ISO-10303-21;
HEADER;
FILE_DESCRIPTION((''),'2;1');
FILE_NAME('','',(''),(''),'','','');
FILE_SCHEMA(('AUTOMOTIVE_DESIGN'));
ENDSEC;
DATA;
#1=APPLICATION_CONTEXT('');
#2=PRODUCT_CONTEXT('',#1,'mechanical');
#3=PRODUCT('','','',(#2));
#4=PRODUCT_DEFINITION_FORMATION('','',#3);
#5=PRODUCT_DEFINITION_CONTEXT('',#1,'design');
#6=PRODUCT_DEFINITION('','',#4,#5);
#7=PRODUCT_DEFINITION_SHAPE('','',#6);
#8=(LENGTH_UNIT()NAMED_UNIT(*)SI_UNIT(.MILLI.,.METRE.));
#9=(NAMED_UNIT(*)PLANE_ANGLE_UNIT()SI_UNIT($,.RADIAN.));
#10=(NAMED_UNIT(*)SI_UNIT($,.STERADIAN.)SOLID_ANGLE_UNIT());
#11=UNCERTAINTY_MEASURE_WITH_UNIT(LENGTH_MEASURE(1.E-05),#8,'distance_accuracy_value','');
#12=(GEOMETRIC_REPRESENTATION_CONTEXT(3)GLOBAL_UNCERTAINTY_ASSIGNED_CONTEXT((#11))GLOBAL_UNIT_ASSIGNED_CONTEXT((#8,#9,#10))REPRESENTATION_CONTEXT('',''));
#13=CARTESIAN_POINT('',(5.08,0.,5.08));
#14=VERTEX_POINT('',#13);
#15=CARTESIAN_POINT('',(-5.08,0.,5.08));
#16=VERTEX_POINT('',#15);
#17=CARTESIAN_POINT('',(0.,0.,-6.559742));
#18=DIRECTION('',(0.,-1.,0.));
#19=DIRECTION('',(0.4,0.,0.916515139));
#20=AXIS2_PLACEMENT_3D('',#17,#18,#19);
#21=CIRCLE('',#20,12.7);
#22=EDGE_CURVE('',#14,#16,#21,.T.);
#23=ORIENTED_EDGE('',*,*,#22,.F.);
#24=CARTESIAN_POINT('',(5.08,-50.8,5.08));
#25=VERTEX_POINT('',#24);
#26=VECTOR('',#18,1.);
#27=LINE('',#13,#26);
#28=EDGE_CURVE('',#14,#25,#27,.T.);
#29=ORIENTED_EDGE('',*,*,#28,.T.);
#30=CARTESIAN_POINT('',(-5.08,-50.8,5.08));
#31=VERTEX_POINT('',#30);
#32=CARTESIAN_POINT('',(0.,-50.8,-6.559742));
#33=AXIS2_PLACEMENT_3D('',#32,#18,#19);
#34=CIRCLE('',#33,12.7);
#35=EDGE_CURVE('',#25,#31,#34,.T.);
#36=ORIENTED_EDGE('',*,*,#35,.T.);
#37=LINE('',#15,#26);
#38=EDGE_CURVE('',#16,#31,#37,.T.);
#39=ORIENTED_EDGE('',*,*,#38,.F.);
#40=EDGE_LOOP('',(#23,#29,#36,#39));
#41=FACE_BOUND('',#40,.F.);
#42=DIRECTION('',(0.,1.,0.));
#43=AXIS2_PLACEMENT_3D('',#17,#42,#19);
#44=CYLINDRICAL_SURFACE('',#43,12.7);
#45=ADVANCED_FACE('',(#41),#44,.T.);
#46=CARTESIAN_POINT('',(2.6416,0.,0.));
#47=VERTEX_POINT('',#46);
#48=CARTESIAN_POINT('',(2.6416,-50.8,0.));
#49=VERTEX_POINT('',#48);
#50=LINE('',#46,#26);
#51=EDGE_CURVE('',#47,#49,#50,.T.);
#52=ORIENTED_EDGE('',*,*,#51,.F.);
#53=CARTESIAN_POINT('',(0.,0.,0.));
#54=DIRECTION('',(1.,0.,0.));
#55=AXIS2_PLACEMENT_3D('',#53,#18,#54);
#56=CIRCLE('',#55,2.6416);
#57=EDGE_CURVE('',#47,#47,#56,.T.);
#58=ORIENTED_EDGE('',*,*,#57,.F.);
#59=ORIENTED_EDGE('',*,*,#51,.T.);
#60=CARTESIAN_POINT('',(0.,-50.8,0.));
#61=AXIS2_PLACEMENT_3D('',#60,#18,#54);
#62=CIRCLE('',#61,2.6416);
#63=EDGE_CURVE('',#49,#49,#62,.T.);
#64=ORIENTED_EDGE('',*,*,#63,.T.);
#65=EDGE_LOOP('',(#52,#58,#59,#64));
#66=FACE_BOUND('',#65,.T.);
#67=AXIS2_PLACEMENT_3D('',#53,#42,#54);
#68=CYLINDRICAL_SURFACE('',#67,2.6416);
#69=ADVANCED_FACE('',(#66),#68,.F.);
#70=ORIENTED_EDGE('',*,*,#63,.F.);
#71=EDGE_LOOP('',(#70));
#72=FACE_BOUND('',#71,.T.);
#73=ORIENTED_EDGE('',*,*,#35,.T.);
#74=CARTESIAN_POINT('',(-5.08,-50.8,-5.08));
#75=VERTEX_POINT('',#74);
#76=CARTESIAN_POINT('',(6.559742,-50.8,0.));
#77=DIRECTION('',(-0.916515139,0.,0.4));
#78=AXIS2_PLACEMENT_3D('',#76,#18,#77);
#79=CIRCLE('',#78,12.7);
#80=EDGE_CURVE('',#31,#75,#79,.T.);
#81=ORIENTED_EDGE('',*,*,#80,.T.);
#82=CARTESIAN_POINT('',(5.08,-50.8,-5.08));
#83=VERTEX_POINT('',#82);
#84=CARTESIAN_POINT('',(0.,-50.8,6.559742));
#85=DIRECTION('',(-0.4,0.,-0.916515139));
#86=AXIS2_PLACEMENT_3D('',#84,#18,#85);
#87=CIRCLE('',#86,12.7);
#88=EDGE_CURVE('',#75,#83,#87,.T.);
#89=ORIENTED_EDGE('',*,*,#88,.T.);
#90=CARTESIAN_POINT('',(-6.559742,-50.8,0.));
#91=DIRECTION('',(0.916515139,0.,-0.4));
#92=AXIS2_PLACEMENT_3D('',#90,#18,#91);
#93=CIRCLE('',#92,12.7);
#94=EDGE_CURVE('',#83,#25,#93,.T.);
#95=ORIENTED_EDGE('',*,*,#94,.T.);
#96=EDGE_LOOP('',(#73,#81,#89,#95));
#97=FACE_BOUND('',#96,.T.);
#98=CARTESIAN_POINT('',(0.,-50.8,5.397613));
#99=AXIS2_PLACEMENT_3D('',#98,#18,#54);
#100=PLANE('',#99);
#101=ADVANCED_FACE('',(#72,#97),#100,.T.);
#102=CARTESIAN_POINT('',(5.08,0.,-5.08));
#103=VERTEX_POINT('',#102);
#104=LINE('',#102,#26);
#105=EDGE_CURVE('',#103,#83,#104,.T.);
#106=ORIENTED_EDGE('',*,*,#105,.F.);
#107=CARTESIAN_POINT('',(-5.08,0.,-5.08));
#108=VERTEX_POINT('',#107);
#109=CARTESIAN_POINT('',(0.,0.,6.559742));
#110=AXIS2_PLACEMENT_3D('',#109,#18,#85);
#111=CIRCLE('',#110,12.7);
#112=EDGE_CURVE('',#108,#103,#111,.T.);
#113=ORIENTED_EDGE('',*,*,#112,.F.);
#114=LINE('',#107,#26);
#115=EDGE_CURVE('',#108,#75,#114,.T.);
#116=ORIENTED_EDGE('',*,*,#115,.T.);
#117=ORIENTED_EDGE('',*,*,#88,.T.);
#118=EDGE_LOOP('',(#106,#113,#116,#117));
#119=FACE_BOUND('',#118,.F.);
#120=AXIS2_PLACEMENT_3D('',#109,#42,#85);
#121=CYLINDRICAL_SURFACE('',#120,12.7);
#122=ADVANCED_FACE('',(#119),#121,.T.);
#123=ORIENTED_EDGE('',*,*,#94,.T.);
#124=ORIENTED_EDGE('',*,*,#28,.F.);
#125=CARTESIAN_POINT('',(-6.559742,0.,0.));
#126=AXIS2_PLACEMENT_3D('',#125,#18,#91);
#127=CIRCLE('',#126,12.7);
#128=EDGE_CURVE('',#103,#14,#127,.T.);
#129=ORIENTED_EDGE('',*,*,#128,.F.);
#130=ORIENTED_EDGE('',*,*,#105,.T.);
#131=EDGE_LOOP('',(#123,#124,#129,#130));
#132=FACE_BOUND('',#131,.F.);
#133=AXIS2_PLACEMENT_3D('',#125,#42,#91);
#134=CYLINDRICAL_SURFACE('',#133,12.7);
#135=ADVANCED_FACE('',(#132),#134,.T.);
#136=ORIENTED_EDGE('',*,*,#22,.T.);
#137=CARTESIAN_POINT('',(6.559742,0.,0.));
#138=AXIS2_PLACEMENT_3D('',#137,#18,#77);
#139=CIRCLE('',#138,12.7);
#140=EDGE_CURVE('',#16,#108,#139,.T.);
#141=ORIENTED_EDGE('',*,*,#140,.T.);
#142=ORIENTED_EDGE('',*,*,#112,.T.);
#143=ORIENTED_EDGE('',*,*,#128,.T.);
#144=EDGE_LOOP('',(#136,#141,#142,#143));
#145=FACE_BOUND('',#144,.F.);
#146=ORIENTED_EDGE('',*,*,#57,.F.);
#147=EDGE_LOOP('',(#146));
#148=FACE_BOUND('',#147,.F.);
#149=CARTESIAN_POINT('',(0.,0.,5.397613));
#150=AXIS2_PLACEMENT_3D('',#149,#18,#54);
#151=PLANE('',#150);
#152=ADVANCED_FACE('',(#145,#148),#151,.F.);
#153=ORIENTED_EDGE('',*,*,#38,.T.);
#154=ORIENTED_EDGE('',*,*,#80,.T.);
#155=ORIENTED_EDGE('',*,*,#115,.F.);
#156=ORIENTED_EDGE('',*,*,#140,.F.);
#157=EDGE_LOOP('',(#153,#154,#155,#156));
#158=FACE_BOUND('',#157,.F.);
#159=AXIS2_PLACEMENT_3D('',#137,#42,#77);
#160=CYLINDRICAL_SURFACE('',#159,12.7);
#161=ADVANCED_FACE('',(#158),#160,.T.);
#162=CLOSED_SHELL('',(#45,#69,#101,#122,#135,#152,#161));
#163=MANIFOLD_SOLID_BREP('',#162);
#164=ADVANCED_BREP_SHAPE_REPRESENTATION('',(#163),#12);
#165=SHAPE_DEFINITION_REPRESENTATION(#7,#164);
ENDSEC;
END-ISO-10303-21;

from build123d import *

# Parameters (mm, degrees)
F0_W     = 10.16
F0_H     = 10.16
F0_R     = 2.6416
F1_DEPTH = 50.8


with BuildPart() as f1:
    # F0 (on Front) → F1 (new body)
    with BuildSketch(Plane.XZ):
        with BuildLine():
            ThreePointArc((5.08, 5.08), (0, 6.1402577348), (-5.08, 5.08))
            Line((-5.08, 5.08), (5.08, 5.08))
        make_face()
        Rectangle(F0_W, F0_H)
        Circle(F0_R, mode=Mode.SUBTRACT)
        with BuildLine():
            Line((-5.08, -5.08), (-5.08, 5.08))
            ThreePointArc((-5.08, 5.08), (-6.1402577348, 0), (-5.08, -5.08))
        make_face()
        with BuildLine():
            ThreePointArc((5.08, -5.08), (6.1402577348, 0), (5.08, 5.08))
            Line((5.08, 5.08), (5.08, -5.08))
        make_face()
        with BuildLine():
            Line((5.08, -5.08), (-5.08, -5.08))
            ThreePointArc((-5.08, -5.08), (0, -6.1402577348), (5.08, -5.08))
        make_face()
    extrude(amount=F1_DEPTH)


solid = f1.part
